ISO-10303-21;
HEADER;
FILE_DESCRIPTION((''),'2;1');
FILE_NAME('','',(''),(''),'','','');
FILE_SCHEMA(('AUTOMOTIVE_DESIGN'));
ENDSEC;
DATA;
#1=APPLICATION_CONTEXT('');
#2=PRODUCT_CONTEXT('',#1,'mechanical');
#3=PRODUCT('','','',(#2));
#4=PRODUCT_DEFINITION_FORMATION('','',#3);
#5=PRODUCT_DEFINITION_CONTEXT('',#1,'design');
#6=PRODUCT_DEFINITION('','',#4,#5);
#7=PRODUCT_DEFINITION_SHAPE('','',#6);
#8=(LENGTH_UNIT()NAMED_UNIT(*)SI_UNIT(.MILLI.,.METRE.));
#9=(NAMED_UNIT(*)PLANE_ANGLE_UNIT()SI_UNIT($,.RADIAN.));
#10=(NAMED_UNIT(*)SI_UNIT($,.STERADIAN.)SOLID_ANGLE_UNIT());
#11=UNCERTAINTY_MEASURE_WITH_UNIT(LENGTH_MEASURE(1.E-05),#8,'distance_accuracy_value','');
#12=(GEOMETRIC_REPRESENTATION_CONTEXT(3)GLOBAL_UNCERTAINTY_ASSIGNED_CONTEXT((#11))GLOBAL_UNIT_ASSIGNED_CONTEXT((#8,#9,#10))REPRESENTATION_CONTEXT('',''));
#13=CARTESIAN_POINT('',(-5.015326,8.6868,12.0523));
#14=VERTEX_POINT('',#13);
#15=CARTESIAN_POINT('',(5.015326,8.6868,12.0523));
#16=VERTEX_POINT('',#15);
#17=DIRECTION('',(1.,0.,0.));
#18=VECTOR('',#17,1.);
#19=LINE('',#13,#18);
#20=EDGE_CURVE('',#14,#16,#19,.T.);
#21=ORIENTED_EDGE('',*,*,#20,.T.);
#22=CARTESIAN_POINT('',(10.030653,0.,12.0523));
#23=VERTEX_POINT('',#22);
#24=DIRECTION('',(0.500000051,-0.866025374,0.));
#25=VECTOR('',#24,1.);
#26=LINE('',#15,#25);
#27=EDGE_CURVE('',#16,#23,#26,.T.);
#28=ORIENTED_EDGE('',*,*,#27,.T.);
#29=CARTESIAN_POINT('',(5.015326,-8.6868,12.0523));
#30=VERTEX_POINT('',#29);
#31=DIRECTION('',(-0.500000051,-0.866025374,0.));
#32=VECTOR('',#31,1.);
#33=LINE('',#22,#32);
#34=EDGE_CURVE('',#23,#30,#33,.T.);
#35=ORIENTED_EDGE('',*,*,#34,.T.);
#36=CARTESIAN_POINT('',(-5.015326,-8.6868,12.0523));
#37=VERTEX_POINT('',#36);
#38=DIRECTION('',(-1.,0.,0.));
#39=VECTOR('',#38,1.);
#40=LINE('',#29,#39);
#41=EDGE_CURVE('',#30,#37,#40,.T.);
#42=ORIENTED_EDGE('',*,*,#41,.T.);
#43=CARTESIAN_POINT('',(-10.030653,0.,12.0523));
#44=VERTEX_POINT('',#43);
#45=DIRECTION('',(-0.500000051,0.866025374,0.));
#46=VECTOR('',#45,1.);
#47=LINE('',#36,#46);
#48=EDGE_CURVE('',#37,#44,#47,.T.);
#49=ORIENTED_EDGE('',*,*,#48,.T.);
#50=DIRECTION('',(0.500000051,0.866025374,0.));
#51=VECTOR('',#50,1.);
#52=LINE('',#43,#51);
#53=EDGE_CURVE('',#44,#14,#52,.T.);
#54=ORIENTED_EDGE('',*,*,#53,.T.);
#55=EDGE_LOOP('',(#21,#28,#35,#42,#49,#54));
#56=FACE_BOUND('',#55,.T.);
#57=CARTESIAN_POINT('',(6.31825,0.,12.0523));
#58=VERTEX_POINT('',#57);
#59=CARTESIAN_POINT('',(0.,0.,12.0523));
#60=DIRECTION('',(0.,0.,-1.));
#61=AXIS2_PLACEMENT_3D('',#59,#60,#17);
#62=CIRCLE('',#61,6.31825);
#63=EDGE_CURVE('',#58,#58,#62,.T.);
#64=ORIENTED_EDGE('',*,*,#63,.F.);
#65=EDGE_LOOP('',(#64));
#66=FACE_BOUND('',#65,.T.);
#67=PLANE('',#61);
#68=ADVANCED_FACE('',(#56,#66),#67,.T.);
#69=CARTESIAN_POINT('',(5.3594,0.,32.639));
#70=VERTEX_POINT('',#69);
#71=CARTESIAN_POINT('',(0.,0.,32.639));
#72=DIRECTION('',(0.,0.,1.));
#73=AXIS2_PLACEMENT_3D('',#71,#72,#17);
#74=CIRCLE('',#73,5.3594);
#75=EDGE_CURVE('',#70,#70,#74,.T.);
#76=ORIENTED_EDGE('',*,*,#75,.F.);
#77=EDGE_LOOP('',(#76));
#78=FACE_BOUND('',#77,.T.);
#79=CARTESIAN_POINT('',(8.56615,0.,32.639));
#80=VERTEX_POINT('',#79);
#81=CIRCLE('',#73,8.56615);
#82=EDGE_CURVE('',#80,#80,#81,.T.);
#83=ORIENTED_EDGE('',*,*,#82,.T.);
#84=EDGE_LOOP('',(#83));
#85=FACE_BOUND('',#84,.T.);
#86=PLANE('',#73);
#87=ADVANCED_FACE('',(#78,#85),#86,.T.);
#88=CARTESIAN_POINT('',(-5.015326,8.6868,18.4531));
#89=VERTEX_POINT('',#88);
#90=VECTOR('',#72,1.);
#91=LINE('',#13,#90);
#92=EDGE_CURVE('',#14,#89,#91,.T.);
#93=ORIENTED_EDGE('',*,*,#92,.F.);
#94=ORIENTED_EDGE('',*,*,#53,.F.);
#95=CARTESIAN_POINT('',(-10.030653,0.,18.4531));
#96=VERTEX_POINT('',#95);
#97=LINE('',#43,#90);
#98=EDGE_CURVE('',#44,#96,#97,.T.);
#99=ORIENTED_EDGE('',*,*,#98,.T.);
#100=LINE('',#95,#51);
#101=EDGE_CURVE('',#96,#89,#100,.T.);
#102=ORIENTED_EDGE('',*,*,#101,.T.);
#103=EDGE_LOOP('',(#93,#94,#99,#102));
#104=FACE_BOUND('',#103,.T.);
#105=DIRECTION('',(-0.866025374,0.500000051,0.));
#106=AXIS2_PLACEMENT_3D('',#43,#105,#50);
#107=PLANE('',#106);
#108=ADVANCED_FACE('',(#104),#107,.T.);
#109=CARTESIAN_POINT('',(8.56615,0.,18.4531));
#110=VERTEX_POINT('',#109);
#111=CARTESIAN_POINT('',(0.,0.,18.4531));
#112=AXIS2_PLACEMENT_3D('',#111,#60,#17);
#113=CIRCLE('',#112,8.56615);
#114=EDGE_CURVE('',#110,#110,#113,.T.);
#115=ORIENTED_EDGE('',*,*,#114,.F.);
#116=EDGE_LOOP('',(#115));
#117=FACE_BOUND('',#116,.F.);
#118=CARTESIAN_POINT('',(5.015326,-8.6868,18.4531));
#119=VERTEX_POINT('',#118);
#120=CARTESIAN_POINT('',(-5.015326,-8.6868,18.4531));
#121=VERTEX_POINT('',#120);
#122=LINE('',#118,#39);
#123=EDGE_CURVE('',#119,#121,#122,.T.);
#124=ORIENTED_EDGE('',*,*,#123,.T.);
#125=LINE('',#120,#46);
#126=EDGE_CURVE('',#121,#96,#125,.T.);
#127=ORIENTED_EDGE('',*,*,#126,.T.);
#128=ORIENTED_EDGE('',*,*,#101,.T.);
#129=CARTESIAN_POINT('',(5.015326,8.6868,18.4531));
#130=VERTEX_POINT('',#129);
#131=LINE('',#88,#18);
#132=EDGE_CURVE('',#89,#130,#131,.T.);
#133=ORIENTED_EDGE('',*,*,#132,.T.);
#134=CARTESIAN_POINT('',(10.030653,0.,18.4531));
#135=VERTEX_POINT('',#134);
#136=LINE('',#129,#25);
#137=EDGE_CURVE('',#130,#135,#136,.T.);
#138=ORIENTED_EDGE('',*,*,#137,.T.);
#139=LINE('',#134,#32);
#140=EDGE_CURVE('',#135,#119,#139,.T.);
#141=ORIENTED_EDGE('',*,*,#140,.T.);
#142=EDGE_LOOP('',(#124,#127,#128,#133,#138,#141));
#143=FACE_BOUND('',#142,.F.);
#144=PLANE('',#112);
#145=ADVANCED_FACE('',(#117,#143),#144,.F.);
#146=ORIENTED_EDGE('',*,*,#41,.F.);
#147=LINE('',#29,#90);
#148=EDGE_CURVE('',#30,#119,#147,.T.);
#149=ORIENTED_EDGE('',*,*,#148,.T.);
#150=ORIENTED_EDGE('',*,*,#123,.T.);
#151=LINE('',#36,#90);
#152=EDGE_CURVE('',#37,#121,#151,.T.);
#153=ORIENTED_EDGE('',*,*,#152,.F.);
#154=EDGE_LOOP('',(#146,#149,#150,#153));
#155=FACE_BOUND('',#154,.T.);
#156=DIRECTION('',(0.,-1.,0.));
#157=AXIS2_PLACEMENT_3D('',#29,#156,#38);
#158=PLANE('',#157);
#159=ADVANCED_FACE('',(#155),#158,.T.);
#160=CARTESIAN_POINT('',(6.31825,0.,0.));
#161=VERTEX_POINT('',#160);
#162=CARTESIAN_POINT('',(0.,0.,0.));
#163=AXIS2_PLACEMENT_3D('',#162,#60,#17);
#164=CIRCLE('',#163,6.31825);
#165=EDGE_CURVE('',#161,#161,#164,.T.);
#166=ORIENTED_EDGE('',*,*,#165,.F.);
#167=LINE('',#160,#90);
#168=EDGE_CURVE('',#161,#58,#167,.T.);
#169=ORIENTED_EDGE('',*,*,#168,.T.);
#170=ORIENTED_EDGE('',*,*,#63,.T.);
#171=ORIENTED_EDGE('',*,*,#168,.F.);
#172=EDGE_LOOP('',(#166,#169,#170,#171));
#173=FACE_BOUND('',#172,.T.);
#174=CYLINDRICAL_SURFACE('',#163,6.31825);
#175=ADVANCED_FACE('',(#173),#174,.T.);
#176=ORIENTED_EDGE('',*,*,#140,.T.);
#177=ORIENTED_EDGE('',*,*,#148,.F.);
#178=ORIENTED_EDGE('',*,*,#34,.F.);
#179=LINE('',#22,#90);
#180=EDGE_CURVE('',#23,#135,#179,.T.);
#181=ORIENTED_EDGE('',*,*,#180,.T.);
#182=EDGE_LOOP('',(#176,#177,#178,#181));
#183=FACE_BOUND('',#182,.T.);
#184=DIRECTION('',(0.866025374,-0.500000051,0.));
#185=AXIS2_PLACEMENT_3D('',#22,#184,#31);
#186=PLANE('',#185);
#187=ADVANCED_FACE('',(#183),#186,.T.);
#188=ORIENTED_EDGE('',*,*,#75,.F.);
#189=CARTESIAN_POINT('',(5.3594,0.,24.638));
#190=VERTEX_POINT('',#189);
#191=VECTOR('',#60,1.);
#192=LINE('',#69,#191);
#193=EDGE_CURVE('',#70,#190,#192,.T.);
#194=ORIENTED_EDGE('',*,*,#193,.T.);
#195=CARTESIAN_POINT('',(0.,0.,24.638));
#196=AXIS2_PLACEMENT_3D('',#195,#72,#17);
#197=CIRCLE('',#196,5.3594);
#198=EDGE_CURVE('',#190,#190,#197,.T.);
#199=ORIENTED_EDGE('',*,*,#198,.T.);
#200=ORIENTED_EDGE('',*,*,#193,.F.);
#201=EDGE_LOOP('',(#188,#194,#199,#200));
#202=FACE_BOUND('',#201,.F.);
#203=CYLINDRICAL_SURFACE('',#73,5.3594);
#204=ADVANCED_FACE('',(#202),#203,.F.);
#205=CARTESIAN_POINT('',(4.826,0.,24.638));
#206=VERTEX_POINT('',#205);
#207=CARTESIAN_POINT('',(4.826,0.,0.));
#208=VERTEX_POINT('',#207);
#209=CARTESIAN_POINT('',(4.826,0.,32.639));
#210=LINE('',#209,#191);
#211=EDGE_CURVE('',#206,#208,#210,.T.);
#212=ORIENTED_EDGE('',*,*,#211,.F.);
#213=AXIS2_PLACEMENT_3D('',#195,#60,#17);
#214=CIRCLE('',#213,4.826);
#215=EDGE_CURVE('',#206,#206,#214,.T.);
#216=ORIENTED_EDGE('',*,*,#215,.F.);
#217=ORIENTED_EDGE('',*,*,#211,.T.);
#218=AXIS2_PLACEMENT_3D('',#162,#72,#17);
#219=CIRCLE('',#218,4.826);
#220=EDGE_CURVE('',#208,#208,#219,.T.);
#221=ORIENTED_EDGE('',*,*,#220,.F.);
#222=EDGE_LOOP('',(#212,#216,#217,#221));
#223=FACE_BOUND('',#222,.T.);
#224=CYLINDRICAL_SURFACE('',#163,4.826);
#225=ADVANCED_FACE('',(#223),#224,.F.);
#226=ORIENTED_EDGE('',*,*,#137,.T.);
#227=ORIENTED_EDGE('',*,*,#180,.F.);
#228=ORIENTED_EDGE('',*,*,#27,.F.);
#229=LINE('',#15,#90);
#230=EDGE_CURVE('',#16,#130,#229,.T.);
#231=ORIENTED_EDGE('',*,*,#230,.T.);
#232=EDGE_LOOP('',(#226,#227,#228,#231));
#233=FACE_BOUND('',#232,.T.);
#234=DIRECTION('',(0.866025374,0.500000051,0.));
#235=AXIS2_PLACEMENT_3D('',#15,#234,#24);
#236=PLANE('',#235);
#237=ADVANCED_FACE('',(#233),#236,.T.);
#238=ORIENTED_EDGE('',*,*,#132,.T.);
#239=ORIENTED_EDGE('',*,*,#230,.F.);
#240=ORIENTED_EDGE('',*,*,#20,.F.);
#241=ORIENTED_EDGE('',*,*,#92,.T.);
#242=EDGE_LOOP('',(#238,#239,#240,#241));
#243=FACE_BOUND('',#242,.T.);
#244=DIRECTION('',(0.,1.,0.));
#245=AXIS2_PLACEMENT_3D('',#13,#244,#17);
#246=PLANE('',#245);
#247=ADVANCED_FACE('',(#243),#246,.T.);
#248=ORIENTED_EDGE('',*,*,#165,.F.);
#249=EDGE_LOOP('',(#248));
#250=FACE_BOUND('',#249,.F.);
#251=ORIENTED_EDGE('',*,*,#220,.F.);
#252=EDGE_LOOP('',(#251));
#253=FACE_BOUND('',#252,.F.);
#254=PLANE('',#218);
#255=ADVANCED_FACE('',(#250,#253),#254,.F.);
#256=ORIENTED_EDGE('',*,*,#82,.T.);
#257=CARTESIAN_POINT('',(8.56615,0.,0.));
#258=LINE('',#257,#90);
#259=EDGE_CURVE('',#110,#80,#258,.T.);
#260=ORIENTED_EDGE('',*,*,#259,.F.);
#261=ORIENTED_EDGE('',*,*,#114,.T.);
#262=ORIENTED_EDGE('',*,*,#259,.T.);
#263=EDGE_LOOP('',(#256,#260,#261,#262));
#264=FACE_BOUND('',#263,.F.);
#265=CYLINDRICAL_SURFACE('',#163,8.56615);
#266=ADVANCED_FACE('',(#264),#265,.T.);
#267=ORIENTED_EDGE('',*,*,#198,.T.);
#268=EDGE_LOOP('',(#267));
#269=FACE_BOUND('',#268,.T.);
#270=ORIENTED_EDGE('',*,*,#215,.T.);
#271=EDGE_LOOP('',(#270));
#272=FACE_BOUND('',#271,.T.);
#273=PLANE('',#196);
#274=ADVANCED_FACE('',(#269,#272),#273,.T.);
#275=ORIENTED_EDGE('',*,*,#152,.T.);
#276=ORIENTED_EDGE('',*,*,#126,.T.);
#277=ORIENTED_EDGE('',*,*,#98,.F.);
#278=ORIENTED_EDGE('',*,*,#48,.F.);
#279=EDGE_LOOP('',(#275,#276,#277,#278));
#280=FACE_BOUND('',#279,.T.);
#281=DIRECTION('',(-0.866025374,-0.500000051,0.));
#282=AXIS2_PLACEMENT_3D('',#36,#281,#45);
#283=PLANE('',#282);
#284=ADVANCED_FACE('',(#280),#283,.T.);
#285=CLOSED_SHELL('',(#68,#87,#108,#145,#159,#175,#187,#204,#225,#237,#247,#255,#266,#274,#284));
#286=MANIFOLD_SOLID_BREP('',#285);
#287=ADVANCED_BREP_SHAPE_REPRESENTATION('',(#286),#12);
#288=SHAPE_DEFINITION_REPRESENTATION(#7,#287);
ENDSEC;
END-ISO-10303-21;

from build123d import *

# Parameters (mm, degrees)
F0_R     = 8.56615
F0_R_2   = 4.826
F1_DEPTH = 32.639
F2_R     = 16.123206
F2_R_2   = 6.31825
F3_DEPTH = 12.0523
F4_R     = 4.826
F5_DEPTH = 6.4008
F6_R     = 5.3594
F7_DEPTH = 8.001


with BuildPart() as f1:
    # F0 (on Top) → F1 (new body)
    with BuildSketch(Plane.XY):
        Circle(F0_R)
        Circle(F0_R_2, mode=Mode.SUBTRACT)
    extrude(amount=F1_DEPTH)

    # F2 (on face) → F3 (cut)
    with BuildSketch(Plane(origin=(0, 0, 0), x_dir=(1, 0, 0), z_dir=(0, 0, -1))):
        Circle(F2_R)
        Circle(F2_R_2, mode=Mode.SUBTRACT)
    extrude(amount=-F3_DEPTH, mode=Mode.SUBTRACT)

    # F4 (on face) → F5 (join)
    with BuildSketch(Plane(origin=(0, 0, 12.0523), x_dir=(1, 0, 0), z_dir=(0, 0, -1))):
        Polygon((5.015326, 8.6868), (-5.015326, 8.6868), (-10.030653, 0), (-5.015326, -8.6868), (5.015326, -8.6868), (10.030653, 0), align=None)
        Circle(F4_R, mode=Mode.SUBTRACT)
    extrude(amount=-F5_DEPTH)

    # F6 (on face) → F7 (cut)
    with BuildSketch(Plane.XY.offset(32.639)):
        Circle(F6_R)
    extrude(amount=-F7_DEPTH, mode=Mode.SUBTRACT)


solid = f1.part
